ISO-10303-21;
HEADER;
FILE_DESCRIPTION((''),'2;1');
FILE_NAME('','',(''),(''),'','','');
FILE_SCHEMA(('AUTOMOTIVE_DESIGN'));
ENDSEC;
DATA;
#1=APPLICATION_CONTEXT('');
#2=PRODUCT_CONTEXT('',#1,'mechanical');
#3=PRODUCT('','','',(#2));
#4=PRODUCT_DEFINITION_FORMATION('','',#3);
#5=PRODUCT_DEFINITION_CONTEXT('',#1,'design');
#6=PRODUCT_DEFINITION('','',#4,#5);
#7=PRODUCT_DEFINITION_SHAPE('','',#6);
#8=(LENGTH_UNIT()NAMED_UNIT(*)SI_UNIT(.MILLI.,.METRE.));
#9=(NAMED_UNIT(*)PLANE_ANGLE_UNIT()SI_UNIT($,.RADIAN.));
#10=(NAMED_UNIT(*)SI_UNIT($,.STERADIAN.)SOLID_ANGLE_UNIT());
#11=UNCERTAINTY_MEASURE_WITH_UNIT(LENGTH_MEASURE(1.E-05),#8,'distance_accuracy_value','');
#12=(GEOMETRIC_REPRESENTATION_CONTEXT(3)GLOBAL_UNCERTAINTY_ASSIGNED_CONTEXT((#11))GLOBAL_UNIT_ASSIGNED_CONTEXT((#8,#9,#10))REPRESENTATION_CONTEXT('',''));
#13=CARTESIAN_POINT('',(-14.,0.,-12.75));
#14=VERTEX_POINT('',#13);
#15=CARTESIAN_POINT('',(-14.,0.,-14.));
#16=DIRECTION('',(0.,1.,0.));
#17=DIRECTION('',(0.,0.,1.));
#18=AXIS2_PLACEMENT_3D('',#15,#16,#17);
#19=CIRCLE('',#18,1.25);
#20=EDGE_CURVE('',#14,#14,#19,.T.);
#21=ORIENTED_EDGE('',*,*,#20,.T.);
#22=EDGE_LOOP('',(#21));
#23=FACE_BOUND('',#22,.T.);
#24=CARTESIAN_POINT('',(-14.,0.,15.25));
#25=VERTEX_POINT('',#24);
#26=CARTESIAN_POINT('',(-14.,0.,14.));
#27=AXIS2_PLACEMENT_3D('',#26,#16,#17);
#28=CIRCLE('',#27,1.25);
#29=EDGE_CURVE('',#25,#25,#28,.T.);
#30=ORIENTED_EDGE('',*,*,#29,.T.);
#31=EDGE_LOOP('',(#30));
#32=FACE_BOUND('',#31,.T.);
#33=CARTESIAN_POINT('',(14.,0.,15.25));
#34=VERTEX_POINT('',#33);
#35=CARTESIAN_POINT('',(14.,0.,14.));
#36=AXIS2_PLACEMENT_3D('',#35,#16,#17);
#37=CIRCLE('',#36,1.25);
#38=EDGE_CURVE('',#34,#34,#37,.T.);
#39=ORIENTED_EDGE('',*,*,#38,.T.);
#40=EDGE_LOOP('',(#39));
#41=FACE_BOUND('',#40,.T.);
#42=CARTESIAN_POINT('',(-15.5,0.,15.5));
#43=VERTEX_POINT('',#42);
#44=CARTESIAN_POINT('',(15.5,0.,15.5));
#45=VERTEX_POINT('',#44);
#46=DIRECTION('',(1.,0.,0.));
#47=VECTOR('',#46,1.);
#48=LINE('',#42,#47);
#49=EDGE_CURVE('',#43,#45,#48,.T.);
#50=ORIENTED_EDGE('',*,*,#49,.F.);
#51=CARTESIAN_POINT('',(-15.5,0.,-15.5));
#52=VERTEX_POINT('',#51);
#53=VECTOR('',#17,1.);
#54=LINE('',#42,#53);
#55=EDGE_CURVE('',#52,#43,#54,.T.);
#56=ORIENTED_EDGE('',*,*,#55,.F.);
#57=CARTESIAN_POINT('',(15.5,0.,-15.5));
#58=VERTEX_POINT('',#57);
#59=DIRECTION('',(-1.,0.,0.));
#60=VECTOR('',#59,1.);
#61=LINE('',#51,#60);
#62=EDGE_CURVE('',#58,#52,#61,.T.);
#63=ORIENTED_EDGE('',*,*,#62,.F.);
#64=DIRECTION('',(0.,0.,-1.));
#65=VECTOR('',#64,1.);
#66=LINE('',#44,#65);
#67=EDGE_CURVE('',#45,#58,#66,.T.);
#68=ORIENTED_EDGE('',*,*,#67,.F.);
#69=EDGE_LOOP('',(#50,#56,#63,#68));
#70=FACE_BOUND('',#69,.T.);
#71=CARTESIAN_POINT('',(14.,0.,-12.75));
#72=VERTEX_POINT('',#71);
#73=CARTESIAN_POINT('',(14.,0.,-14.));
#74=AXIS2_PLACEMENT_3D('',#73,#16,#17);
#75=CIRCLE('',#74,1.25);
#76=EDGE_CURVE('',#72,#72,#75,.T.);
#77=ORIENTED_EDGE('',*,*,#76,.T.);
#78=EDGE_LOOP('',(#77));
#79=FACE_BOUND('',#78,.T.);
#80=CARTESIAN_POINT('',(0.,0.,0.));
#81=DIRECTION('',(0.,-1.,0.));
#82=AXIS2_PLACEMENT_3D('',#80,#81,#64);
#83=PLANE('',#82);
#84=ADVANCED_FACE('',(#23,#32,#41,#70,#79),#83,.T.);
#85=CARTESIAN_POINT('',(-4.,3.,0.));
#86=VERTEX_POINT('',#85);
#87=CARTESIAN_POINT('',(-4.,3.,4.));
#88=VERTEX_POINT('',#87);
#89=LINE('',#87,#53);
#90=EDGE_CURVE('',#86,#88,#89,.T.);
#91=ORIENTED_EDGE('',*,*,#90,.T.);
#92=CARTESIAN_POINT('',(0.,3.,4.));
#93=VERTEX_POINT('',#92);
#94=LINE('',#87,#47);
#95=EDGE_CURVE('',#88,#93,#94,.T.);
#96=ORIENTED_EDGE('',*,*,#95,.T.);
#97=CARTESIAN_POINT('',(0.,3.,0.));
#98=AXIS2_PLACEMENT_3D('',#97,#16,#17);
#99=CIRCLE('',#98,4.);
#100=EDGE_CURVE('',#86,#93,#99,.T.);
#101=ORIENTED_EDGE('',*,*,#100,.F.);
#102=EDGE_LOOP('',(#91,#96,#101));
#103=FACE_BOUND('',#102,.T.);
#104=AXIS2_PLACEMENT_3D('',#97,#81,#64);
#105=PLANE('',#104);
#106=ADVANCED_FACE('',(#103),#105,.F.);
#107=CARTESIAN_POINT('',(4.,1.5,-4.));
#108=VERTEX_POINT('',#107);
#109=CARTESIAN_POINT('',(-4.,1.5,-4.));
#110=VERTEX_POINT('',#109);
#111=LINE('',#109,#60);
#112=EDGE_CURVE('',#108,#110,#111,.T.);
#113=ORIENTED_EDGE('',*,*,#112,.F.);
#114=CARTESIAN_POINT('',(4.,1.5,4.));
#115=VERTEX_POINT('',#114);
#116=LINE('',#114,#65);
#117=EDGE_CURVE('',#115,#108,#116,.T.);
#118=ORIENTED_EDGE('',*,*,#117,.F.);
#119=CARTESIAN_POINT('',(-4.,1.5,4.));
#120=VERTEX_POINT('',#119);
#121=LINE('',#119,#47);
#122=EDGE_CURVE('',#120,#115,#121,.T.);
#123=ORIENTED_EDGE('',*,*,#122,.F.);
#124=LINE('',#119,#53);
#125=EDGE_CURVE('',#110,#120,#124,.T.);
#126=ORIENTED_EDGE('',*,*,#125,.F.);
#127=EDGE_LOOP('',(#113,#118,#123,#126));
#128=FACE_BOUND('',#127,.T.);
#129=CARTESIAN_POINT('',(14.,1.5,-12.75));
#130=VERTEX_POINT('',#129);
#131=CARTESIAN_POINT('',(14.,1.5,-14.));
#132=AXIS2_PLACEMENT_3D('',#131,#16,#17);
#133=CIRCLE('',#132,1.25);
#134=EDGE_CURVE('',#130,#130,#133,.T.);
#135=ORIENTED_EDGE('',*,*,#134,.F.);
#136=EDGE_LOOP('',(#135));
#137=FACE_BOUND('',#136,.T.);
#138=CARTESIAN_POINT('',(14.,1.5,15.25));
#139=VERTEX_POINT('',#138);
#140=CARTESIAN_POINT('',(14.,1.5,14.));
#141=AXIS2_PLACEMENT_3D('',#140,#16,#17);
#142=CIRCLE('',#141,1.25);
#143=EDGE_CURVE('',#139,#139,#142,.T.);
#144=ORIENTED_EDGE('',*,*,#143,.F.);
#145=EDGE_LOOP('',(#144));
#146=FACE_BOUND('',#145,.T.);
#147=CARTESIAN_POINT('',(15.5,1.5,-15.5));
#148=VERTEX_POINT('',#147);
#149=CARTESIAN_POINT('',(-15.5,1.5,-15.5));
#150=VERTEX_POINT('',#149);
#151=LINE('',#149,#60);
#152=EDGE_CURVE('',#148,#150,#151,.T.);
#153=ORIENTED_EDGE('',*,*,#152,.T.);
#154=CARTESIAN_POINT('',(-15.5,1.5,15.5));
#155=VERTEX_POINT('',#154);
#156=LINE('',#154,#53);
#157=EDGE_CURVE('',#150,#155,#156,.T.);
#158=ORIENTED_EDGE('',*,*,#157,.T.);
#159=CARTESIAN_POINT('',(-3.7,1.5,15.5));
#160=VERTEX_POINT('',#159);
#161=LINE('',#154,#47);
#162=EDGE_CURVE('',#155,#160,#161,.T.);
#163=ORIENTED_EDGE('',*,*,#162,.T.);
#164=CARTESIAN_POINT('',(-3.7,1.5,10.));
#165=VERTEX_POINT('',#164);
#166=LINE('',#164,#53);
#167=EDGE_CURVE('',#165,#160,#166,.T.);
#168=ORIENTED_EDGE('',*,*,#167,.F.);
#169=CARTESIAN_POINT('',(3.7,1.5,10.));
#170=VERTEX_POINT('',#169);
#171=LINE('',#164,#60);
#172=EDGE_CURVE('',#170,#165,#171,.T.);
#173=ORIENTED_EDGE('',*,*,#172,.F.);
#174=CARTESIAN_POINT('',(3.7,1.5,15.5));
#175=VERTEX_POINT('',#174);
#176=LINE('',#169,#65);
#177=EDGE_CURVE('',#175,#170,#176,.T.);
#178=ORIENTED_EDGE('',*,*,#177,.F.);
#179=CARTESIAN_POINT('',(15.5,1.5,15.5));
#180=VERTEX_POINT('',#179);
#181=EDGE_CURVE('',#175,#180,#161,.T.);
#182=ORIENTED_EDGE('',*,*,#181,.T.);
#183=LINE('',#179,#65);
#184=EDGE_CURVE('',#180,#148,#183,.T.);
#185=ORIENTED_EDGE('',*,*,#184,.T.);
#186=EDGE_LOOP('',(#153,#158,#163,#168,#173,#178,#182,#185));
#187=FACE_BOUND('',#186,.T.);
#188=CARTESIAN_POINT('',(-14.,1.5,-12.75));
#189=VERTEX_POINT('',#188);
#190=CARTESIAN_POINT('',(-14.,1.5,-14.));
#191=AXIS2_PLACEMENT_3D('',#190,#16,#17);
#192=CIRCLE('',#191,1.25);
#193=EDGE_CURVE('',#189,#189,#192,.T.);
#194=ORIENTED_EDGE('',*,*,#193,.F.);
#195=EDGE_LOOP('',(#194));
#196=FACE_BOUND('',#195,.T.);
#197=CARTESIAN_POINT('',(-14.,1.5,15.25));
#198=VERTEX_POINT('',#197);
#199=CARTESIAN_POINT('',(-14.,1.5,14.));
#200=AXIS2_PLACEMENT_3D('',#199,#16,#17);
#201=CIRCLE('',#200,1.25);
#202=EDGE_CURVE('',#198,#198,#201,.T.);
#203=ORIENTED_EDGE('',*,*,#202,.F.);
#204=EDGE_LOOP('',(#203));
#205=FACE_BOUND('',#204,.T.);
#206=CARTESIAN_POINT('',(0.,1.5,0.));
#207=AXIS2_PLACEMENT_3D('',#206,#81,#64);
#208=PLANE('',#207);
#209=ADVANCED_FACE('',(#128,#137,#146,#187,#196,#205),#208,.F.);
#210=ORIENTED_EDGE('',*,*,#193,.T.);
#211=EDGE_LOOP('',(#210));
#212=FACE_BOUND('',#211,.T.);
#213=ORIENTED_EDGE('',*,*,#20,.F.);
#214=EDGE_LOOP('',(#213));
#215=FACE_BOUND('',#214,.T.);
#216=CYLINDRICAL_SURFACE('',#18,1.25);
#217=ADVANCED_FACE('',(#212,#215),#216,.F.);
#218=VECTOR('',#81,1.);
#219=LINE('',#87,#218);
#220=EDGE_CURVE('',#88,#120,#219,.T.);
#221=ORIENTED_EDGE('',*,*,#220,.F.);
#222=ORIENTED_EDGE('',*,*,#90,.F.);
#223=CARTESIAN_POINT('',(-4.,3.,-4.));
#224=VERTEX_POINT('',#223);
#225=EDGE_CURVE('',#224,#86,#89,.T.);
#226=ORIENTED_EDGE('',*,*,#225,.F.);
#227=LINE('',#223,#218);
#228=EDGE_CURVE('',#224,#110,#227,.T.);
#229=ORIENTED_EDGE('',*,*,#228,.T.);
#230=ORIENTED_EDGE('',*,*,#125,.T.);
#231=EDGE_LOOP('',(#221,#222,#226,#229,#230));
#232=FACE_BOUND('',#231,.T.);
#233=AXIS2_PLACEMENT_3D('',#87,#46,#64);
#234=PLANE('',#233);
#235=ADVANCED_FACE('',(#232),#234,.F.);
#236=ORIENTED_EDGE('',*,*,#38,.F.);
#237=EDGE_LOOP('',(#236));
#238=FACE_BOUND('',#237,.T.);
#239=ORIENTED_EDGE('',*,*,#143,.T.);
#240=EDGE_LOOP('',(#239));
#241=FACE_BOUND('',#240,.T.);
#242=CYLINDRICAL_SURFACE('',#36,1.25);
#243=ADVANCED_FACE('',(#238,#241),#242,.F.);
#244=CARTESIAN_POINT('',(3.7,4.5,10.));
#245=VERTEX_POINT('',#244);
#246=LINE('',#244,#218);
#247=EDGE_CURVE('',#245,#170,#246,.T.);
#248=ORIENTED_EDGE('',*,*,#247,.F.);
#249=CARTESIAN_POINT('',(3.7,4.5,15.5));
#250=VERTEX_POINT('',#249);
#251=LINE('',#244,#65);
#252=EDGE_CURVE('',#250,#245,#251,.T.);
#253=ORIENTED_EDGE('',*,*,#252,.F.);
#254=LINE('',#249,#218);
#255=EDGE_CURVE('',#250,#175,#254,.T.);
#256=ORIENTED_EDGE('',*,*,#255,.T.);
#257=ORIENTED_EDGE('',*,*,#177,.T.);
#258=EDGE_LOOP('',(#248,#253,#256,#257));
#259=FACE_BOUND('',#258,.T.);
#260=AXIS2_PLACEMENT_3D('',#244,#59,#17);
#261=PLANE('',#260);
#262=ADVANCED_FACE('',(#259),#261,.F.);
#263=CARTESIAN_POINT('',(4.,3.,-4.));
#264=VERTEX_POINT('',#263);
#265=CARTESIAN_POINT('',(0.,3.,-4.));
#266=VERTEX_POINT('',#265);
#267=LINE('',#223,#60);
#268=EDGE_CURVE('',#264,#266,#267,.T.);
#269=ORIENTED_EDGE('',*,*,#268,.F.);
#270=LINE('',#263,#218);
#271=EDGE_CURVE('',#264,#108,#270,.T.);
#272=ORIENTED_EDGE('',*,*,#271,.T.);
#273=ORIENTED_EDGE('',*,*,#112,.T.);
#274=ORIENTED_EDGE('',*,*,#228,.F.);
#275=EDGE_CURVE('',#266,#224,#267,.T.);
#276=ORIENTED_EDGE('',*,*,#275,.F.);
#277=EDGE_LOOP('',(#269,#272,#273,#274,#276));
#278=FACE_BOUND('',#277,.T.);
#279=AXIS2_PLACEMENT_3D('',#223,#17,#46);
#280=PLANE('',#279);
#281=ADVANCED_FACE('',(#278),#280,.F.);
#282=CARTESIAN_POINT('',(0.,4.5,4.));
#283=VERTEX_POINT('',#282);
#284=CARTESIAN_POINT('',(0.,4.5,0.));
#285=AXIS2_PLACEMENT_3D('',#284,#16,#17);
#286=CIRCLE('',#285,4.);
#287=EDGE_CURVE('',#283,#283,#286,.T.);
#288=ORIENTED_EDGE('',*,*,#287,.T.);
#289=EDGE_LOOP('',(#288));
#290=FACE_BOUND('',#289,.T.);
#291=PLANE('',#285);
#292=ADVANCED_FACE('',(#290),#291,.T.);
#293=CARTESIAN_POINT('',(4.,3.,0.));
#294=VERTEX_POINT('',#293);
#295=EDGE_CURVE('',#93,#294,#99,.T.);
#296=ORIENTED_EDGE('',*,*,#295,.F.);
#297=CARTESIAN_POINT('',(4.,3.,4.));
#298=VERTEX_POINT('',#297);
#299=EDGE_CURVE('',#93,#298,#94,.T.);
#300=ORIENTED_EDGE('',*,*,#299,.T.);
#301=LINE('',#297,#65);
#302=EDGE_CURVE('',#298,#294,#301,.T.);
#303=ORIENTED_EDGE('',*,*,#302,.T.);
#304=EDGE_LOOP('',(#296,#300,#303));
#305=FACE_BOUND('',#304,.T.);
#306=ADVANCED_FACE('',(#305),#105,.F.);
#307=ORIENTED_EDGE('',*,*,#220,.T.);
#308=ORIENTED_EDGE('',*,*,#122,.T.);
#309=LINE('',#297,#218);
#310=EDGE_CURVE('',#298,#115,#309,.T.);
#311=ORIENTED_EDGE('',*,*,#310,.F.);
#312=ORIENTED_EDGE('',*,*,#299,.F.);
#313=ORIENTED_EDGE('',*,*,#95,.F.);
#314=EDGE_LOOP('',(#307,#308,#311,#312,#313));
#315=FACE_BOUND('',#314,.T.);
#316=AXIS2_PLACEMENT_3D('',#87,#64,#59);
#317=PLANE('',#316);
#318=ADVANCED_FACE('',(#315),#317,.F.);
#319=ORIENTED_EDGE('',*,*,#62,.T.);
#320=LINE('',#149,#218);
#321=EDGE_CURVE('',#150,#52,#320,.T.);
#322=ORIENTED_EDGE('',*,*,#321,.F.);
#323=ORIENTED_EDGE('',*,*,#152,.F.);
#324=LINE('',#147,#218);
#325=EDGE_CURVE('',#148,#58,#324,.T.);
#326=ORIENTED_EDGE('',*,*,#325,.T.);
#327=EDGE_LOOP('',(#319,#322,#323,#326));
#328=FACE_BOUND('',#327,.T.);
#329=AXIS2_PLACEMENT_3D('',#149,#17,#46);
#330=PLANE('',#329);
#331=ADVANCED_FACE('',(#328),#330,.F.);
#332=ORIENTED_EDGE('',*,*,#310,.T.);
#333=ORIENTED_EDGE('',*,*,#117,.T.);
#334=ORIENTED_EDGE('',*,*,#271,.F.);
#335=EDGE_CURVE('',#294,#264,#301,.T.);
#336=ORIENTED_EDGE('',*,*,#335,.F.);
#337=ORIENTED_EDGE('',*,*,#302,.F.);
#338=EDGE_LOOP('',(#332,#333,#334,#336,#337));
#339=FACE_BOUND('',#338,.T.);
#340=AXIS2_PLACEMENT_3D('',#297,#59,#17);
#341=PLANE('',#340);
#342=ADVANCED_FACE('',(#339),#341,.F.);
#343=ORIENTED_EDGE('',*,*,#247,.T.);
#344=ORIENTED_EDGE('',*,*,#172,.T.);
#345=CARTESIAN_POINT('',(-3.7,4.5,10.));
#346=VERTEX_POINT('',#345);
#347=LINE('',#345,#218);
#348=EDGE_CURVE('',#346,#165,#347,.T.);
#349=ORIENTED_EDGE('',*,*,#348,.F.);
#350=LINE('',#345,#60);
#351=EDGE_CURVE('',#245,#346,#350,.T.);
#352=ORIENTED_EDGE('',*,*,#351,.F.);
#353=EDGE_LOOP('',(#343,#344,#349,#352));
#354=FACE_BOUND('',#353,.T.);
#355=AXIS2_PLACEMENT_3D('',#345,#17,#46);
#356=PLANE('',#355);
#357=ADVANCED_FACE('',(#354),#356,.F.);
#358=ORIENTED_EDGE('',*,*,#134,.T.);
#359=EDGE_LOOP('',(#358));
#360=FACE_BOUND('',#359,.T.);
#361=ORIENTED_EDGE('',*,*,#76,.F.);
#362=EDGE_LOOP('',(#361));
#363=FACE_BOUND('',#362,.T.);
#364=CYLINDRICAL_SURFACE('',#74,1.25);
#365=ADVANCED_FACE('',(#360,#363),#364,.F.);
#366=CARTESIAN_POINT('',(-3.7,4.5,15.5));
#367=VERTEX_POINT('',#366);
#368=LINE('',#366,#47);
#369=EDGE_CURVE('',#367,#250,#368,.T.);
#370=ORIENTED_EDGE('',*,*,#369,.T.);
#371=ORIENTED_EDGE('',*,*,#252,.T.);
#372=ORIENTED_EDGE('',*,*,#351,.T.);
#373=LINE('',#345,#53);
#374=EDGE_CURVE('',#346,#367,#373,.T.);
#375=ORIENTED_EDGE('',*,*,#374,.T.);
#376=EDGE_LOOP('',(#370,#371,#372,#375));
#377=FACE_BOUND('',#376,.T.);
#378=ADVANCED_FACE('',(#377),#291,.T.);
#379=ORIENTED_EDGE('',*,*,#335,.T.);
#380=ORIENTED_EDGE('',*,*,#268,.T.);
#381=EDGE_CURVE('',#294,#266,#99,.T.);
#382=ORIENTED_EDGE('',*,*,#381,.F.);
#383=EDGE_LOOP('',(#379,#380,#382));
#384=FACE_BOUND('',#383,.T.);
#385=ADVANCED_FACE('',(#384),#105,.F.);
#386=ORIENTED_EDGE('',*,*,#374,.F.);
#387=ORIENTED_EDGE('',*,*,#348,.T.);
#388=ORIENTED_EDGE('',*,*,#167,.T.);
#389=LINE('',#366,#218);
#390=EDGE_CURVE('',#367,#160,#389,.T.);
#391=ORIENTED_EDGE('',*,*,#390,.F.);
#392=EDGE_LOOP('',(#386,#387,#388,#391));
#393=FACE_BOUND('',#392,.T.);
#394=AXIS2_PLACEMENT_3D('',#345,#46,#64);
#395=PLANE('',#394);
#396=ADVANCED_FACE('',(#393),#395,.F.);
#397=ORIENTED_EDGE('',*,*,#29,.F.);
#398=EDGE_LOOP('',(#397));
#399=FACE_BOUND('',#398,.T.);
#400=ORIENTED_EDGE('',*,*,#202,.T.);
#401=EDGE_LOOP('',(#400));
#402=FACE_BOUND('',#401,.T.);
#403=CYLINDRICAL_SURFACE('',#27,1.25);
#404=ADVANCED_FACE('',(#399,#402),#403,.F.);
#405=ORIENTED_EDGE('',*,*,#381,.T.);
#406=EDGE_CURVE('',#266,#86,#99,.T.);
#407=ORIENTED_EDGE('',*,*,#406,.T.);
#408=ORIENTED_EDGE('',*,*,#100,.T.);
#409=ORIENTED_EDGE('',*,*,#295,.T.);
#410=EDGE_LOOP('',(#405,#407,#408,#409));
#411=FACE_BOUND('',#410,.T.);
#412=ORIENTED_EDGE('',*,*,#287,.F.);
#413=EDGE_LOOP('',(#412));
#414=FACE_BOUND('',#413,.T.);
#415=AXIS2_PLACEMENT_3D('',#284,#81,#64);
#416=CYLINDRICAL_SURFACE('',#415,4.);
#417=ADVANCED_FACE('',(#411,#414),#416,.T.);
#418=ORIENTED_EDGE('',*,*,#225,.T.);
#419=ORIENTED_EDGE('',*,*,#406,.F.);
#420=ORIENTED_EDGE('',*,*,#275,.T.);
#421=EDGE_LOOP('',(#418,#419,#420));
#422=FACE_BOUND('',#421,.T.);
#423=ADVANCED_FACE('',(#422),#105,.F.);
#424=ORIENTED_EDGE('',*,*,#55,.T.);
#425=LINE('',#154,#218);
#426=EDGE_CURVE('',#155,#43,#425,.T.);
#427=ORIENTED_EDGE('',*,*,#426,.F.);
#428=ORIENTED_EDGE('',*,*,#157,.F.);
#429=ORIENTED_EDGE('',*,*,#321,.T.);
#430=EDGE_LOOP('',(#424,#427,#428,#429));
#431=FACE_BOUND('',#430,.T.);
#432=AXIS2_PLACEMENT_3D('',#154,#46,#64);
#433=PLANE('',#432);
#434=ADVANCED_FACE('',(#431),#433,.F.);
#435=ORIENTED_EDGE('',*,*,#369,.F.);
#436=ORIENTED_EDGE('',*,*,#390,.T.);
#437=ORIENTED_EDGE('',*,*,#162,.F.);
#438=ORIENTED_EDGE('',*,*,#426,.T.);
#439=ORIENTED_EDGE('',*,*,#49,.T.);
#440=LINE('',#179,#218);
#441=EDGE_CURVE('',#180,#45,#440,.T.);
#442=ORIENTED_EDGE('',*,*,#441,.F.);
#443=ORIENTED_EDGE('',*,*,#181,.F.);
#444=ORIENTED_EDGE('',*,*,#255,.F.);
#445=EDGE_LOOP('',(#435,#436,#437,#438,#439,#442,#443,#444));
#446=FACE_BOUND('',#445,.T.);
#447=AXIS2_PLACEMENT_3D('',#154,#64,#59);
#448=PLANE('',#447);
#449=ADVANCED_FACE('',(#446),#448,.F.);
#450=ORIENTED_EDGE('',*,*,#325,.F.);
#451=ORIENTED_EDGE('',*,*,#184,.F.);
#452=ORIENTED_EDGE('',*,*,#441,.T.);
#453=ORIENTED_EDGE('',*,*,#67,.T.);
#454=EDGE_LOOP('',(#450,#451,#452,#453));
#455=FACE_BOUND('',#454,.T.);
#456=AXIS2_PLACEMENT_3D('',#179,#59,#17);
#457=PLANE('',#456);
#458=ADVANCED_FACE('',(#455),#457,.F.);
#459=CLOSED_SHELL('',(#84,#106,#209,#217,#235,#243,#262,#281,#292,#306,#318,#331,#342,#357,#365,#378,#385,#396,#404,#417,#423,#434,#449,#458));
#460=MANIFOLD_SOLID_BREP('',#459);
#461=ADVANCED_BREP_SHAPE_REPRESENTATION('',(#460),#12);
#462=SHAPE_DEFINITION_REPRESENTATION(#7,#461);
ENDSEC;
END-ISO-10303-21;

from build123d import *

# Parameters (mm, degrees)
SKETCH1_W           = 31
SKETCH1_H           = 31
BOSS_EXTRUDE1_DEPTH = 1.5
SKETCH2_W           = 8
SKETCH2_H           = 8
BOSS_EXTRUDE2_DEPTH = 1.5
SKETCH3_R           = 4
BOSS_EXTRUDE3_DEPTH = 1.5
SKETCH4_W           = 7.4
SKETCH4_H           = 5.5
BOSS_EXTRUDE4_DEPTH = 3
SKETCH5_R           = 1.25
CUT_EXTRUDE1_DEPTH  = 23.12464689


with BuildPart() as part:
    # Sketch1 → Boss-Extrude1 (new body)
    with BuildSketch(Plane(origin=(0, 0, 0), x_dir=(1, 0, 0), z_dir=(0, 1, 0))):
        Rectangle(SKETCH1_W, SKETCH1_H)
    extrude(amount=BOSS_EXTRUDE1_DEPTH)

    # Sketch2 → Boss-Extrude2 (add)
    with BuildSketch(Plane(origin=(0, 1.5, 0), x_dir=(1, 0, 0), z_dir=(0, 1, 0))):
        Rectangle(SKETCH2_W, SKETCH2_H)
    extrude(amount=BOSS_EXTRUDE2_DEPTH)

    # Sketch3 → Boss-Extrude3 (add)
    with BuildSketch(Plane(origin=(0, 3, 0), x_dir=(1, 0, 0), z_dir=(0, 1, 0))):
        with Locations(Location((0, 0, 0), (0, 0, 270))):
            Circle(SKETCH3_R)
    extrude(amount=BOSS_EXTRUDE3_DEPTH)

    # Sketch4 → Boss-Extrude4 (add)
    with BuildSketch(Plane(origin=(0, 1.5, 0), x_dir=(1, 0, 0), z_dir=(0, 1, 0))):
        with Locations((0, -12.75)):
            Rectangle(SKETCH4_W, SKETCH4_H)
    extrude(amount=BOSS_EXTRUDE4_DEPTH)

    # Sketch5 → Cut-Extrude1 (cut, through all)
    with BuildSketch(Plane(origin=(0, 1.5, 0), x_dir=(1, 0, 0), z_dir=(0, 1, 0))):
        with Locations(Location((-14, 14, 0), (0, 0, 270))):
            Circle(SKETCH5_R)
        with Locations(Location((14, 14, 0), (0, 0, 270))):
            Circle(SKETCH5_R)
        with Locations(Location((14, -14, 0), (0, 0, 270))):
            Circle(SKETCH5_R)
        with Locations(Location((-14, -14, 0), (0, 0, 270))):
            Circle(SKETCH5_R)
    extrude(amount=-CUT_EXTRUDE1_DEPTH, mode=Mode.SUBTRACT)


solid = part.part
